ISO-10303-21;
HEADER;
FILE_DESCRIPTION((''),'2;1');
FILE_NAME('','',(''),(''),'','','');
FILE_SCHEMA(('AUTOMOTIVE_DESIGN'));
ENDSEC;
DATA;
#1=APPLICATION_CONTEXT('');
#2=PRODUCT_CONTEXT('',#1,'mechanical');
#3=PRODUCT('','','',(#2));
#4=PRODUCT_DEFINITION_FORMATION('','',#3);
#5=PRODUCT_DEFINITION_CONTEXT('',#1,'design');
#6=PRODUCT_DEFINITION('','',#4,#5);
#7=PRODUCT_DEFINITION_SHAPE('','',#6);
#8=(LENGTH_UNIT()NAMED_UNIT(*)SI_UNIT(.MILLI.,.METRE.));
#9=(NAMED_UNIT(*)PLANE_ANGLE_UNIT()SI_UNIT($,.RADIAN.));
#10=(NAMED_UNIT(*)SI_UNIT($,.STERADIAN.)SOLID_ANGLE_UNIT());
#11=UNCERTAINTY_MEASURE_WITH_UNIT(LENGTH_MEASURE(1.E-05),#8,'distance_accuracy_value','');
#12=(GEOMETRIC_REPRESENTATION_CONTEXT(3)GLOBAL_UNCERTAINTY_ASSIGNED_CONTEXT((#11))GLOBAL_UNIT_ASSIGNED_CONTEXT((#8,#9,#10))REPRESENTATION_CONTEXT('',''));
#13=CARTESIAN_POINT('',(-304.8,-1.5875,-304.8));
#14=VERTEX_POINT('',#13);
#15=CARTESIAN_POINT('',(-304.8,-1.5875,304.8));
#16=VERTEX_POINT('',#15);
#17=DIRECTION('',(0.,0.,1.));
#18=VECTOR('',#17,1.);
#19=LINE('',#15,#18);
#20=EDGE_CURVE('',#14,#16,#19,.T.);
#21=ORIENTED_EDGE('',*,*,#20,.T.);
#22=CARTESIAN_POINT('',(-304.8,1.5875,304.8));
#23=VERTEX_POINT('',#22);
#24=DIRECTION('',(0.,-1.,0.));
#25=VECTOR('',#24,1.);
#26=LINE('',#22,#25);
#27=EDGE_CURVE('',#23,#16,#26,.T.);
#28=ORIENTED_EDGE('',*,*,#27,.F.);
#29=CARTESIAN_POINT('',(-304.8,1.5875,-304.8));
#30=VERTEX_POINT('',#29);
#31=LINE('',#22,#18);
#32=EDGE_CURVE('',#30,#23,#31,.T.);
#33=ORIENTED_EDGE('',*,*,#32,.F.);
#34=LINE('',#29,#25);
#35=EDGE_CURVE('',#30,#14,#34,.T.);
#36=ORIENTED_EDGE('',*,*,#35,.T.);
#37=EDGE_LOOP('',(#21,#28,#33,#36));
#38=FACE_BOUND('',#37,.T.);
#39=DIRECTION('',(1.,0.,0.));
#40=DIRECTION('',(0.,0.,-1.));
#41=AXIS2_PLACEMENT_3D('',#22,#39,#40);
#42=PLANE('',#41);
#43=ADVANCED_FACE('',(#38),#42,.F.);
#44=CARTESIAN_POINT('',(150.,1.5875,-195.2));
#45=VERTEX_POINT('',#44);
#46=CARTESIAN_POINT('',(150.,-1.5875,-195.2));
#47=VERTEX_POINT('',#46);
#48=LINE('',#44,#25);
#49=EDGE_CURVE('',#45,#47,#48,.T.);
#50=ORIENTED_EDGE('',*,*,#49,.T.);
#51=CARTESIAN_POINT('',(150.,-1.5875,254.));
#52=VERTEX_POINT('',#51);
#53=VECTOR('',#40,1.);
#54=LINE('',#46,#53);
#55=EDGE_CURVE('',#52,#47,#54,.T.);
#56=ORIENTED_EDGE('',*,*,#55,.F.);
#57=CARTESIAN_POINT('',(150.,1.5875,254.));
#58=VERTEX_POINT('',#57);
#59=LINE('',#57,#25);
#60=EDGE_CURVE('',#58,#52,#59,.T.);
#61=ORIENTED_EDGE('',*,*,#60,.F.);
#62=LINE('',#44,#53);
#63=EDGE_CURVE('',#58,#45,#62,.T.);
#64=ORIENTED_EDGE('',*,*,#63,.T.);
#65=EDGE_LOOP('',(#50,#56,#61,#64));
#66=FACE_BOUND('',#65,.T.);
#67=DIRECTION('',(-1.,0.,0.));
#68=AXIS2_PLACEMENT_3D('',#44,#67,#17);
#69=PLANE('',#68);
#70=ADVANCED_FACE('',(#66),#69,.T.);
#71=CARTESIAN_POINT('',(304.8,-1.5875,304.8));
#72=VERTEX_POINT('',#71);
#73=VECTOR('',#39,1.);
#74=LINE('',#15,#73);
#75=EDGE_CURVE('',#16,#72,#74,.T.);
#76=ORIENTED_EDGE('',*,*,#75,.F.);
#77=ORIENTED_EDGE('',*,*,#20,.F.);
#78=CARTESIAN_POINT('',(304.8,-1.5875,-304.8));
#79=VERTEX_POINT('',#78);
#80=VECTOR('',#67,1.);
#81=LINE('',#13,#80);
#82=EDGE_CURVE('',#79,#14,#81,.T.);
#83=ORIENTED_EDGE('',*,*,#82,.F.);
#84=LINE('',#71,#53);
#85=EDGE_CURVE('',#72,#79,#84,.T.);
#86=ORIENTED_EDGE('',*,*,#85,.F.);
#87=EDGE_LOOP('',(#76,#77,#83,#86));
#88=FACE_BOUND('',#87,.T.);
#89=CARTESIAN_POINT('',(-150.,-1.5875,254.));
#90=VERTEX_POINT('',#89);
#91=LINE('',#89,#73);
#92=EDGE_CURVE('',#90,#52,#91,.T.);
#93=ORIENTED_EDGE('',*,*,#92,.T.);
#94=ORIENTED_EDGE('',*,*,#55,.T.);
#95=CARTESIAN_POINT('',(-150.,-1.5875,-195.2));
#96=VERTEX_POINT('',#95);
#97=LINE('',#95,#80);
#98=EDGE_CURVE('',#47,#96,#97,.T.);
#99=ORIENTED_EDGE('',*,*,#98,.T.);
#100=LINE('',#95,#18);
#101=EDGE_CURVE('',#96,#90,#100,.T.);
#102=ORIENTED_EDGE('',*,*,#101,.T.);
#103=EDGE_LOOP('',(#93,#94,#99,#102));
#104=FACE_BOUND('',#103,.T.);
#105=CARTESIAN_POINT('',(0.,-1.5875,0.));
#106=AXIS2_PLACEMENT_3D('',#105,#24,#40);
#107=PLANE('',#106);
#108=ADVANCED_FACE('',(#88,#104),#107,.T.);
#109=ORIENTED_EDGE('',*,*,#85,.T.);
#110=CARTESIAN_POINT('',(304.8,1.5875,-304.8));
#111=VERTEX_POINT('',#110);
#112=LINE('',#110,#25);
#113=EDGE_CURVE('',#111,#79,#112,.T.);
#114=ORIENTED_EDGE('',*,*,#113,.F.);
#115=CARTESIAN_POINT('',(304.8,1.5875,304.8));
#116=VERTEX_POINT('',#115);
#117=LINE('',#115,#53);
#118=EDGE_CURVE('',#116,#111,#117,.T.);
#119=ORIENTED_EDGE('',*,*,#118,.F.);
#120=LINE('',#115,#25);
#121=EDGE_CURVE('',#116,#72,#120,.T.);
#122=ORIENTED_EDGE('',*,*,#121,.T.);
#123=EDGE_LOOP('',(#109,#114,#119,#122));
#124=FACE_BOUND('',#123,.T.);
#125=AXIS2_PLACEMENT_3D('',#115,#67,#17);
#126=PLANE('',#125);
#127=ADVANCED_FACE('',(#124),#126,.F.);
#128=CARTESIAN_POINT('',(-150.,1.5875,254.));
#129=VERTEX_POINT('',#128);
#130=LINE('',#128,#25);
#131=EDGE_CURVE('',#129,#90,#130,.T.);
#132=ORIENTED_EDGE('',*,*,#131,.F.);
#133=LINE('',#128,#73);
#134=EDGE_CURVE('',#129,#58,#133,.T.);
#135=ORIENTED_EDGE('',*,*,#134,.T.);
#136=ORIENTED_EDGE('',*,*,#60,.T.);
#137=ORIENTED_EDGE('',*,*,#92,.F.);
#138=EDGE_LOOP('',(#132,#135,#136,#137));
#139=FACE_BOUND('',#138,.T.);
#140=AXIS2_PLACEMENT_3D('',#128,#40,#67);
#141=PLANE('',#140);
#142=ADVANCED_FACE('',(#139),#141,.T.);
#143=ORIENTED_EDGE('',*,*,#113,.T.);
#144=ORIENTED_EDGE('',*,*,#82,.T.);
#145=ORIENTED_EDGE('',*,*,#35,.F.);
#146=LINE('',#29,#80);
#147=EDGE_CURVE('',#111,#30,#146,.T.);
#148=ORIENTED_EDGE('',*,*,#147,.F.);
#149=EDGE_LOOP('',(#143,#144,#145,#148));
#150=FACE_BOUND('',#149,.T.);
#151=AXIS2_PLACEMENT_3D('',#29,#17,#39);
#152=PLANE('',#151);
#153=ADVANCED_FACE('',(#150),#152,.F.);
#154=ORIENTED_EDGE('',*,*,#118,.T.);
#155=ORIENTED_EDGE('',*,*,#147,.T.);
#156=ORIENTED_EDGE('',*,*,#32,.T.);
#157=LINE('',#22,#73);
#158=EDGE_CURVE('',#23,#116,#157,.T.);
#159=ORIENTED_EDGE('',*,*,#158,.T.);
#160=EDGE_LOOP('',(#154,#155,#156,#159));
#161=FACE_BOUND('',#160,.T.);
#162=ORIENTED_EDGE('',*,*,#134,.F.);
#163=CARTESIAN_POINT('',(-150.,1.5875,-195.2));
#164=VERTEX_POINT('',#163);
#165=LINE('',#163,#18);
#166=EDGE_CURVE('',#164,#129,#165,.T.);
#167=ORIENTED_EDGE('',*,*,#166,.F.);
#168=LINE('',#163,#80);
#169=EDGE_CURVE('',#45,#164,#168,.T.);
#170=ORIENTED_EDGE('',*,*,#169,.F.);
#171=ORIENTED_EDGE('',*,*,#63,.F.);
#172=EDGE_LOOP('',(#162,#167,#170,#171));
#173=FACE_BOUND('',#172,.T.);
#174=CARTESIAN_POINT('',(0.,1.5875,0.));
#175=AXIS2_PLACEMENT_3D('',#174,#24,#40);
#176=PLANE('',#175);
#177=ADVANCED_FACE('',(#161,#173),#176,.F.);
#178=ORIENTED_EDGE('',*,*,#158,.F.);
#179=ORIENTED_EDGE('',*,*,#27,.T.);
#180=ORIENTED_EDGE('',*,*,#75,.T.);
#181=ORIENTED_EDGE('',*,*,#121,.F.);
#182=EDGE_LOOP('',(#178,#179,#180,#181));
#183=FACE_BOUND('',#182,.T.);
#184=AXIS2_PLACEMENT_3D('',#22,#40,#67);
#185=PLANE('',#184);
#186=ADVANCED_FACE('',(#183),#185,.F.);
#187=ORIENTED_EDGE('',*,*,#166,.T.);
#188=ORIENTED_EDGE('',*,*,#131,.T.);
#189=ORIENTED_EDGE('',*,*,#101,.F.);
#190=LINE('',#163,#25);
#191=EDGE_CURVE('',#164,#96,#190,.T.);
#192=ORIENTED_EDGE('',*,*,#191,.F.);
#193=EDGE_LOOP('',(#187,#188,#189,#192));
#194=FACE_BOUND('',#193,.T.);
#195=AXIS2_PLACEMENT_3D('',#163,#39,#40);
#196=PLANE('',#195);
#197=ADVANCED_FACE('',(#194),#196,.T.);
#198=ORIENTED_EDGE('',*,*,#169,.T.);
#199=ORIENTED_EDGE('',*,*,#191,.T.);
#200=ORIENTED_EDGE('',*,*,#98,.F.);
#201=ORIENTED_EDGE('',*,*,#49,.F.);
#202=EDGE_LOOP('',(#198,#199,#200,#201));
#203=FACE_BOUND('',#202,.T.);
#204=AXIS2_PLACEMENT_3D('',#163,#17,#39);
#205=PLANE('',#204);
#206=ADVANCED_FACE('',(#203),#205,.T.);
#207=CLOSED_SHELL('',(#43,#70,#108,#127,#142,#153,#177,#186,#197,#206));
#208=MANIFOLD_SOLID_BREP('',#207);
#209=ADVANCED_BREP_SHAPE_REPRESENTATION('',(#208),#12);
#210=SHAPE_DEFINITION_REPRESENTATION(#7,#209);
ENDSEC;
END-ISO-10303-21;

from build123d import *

# Parameters (mm, degrees)
SKETCH1_W           = 609.6
SKETCH1_H           = 609.6
SKETCH1_W_2         = 300
SKETCH1_H_2         = 449.2
BOSS_EXTRUDE1_DEPTH = 1.5875


with BuildPart() as part:
    # Sketch1 → Boss-Extrude1 (new body, symmetric)
    with BuildSketch(Plane(origin=(0, 0, 0), x_dir=(1, 0, 0), z_dir=(0, 1, 0))):
        Rectangle(SKETCH1_W, SKETCH1_H)
        with Locations((0, -29.4)):
            Rectangle(SKETCH1_W_2, SKETCH1_H_2, mode=Mode.SUBTRACT)
    extrude(amount=BOSS_EXTRUDE1_DEPTH, both=True)


solid = part.part
